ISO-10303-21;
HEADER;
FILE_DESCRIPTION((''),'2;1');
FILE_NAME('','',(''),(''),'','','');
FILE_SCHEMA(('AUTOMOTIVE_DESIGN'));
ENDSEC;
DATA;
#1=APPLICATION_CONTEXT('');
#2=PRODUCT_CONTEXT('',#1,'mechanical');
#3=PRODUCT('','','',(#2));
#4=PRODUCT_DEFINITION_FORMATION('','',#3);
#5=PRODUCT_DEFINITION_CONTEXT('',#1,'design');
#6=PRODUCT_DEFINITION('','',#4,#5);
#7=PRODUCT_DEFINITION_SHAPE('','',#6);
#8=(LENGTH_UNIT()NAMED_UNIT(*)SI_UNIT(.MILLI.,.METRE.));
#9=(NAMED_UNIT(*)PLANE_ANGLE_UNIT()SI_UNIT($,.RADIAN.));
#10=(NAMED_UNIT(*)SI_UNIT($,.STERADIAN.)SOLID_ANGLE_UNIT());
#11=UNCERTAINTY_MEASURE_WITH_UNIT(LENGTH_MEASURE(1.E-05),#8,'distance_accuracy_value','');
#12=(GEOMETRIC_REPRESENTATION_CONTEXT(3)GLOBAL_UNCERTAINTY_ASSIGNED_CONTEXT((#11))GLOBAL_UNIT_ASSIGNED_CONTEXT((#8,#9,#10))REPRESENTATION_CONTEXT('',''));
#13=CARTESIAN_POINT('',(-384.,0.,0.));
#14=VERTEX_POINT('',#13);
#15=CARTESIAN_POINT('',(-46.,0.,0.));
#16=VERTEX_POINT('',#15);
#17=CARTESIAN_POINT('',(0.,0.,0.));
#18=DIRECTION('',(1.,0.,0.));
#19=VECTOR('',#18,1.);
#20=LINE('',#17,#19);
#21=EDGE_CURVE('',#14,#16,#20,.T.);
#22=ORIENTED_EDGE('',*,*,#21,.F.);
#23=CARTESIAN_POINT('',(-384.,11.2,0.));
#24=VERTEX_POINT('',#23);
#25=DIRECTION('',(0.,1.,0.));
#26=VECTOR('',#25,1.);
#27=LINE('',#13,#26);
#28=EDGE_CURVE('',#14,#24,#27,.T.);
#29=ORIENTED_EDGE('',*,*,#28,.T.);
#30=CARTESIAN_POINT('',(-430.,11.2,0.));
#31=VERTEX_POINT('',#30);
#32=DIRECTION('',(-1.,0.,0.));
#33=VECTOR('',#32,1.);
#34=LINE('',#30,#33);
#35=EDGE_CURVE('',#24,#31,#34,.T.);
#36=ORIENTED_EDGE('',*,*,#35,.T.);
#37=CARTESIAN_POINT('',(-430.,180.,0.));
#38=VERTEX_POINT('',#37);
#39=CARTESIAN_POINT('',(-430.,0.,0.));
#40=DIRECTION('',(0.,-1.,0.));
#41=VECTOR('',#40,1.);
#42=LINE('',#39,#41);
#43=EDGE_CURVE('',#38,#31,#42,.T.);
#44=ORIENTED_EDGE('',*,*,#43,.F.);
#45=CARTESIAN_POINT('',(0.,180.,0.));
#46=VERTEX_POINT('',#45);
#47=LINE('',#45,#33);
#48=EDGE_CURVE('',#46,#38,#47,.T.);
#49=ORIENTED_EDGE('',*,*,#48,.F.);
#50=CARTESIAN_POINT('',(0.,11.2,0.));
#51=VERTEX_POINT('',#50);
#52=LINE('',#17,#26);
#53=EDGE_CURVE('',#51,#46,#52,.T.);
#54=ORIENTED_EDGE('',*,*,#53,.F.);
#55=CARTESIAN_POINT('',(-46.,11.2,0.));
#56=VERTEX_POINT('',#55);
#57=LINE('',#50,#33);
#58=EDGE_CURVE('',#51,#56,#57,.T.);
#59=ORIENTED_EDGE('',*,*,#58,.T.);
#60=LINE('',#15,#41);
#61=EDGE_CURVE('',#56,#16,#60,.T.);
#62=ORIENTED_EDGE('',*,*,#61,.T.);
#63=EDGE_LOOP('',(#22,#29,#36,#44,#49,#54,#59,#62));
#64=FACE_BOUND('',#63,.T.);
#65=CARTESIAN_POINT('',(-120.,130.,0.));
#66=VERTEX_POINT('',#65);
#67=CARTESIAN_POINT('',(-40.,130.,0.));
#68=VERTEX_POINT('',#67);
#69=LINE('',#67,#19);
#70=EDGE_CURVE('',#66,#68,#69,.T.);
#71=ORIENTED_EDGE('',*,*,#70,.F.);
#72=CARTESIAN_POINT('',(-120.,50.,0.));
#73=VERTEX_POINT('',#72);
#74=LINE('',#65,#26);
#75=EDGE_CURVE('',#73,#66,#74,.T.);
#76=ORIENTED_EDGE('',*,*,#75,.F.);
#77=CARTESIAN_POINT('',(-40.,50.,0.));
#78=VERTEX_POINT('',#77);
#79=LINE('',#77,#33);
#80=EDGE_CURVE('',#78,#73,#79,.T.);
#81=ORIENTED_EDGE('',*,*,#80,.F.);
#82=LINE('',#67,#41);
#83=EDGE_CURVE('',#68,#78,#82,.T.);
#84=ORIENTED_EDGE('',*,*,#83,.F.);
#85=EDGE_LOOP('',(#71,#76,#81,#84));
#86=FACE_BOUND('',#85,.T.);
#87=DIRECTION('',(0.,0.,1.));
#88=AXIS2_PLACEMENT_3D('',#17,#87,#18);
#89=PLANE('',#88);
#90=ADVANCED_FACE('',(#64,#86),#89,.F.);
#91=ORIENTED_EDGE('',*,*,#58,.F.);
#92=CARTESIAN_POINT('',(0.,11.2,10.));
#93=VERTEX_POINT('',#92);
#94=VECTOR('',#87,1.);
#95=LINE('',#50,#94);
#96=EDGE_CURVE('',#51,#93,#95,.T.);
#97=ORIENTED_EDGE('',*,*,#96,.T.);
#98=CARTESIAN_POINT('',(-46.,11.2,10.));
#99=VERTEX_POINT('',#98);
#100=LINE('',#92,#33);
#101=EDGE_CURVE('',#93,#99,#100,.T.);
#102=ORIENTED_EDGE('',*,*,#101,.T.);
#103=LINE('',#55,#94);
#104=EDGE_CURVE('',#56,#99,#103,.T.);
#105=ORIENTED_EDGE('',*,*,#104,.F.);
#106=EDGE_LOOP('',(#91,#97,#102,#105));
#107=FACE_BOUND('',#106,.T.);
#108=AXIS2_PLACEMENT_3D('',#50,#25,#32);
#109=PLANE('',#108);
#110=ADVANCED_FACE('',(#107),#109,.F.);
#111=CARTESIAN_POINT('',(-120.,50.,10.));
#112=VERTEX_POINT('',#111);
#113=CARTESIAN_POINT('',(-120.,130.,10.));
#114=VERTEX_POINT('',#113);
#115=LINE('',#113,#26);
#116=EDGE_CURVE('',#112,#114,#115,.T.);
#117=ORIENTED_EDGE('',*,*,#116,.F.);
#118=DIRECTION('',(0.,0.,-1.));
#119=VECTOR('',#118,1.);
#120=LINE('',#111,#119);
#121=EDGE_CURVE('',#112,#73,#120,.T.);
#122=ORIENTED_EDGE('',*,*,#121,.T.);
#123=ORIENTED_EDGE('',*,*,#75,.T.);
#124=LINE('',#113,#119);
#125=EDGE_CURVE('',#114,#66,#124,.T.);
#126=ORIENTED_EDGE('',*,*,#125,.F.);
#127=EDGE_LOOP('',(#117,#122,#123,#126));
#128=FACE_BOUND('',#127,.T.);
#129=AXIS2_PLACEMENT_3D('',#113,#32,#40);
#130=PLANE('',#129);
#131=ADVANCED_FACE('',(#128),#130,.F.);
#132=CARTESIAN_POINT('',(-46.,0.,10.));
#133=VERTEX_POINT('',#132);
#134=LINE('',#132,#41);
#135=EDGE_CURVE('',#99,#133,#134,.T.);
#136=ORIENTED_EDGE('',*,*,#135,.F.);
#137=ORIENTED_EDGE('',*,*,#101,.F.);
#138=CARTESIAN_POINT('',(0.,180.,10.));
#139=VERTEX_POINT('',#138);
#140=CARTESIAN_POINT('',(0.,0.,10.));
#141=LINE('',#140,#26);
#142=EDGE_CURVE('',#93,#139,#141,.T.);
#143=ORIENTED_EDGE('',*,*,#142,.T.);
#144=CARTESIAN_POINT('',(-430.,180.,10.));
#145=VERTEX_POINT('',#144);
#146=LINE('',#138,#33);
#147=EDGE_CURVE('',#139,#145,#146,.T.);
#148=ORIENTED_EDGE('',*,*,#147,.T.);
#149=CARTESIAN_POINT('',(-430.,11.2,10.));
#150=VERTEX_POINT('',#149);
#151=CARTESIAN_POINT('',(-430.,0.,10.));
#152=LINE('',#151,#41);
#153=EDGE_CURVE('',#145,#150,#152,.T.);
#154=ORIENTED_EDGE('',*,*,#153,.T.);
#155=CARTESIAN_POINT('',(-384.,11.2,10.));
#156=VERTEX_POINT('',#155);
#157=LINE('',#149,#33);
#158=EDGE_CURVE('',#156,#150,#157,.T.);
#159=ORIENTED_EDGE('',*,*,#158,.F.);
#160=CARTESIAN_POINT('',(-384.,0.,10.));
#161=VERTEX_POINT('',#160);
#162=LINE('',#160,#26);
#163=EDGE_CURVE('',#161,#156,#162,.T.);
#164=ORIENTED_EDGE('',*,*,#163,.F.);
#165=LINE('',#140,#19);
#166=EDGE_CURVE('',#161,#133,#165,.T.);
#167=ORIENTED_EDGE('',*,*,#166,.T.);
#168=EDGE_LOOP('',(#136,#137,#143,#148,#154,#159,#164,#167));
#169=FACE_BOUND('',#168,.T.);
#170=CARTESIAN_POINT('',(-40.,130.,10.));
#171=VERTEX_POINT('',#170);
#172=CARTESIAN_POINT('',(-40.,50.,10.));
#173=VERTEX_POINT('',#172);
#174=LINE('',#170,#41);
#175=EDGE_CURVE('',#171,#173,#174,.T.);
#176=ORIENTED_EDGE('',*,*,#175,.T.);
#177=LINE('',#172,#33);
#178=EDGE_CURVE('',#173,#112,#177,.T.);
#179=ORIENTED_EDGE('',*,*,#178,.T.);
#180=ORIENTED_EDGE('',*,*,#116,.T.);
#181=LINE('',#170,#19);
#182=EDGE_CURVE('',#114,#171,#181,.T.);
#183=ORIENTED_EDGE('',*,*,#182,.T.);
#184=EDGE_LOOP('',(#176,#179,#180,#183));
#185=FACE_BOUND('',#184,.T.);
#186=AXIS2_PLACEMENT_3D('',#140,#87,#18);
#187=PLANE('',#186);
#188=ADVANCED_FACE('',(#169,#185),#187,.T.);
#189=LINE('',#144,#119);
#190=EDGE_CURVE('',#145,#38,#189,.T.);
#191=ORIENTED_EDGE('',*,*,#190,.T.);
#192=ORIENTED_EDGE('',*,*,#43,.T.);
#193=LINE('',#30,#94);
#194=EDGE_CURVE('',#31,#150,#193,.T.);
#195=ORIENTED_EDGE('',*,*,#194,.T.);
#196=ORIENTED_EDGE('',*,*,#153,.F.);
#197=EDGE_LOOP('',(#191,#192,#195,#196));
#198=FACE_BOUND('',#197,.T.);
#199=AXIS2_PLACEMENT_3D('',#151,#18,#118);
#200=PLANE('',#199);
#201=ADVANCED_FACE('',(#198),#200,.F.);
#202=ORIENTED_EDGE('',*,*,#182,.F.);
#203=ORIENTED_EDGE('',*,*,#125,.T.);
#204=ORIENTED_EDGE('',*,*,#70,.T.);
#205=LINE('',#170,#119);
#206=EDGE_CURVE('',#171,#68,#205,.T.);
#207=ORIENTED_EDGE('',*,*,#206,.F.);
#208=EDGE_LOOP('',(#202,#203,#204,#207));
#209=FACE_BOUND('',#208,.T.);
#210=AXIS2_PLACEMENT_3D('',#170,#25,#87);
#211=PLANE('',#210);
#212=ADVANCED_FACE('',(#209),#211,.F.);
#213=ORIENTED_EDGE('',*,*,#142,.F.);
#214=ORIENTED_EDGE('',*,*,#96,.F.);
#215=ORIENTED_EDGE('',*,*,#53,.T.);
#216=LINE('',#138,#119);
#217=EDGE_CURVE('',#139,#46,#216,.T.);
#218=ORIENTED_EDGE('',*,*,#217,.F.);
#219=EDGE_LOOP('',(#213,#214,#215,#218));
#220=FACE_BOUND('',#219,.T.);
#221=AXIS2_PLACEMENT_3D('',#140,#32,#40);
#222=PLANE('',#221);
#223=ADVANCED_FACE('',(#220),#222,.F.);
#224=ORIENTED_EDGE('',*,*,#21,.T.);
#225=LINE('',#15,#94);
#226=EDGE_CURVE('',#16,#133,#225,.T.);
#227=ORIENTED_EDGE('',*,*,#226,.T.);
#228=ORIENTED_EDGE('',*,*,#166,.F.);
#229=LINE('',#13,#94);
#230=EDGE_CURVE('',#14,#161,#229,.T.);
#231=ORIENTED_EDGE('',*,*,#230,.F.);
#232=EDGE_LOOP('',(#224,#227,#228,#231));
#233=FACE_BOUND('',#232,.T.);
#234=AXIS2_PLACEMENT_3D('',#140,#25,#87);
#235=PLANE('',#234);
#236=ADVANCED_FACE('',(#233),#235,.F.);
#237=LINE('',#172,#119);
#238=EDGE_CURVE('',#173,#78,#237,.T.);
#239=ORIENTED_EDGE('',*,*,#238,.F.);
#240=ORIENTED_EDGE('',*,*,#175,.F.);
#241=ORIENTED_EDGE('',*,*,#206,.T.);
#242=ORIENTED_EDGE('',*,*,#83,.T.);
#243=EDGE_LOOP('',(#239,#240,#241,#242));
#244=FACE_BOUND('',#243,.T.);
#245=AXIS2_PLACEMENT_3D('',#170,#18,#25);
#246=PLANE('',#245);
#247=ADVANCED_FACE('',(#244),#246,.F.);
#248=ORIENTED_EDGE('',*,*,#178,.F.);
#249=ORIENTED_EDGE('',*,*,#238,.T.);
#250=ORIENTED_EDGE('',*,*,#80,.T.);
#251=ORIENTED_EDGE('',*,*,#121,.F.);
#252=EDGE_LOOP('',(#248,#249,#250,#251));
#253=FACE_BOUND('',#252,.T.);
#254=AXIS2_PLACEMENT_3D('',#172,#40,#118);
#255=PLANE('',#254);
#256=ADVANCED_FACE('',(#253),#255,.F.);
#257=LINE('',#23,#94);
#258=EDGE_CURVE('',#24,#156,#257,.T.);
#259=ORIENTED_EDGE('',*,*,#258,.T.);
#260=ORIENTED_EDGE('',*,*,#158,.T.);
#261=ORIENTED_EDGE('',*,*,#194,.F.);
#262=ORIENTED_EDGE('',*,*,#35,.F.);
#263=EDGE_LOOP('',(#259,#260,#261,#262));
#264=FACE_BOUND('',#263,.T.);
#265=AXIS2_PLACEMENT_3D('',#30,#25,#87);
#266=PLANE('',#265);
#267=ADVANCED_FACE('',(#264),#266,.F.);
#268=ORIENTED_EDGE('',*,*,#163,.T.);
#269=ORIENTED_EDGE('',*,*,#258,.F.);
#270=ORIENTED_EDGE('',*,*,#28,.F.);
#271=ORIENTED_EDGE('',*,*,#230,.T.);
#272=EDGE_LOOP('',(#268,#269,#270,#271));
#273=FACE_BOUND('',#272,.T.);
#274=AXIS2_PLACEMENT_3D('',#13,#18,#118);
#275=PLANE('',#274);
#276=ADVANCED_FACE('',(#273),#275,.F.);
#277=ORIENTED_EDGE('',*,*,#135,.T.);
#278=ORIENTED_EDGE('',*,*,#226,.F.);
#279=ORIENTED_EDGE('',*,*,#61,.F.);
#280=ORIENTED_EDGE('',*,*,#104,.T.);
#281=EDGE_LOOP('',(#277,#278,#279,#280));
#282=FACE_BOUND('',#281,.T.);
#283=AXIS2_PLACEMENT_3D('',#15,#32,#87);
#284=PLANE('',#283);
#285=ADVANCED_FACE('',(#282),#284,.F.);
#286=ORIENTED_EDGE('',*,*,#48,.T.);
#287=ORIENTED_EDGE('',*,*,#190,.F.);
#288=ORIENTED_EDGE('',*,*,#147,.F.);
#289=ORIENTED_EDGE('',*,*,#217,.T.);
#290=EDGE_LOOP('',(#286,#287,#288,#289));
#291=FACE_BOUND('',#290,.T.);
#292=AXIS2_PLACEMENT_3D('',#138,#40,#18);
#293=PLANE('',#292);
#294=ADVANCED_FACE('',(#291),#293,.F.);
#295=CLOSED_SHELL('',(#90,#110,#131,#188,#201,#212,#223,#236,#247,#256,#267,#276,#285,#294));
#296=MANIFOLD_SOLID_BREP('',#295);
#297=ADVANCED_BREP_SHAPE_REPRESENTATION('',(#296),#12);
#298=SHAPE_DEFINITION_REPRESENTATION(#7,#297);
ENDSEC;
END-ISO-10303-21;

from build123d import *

# Parameters (mm, degrees)
ESQUISSE1_W             = 430
ESQUISSE1_H             = 180
BOSS_EXTRU_1_DEPTH      = 10
ESQUISSE2_W             = 80
ESQUISSE2_H             = 80
ENL_V_MAT_EXTRU_1_DEPTH = 10
ESQUISSE4_W             = 46
ESQUISSE4_H             = 11.2
ENL_V_MAT_EXTRU_2_DEPTH = 10


with BuildPart() as part:
    # Esquisse1 → Boss.-Extru.1 (new body)
    with BuildSketch(Plane.XY):
        with Locations((-215, 90)):
            Rectangle(ESQUISSE1_W, ESQUISSE1_H)
    extrude(amount=BOSS_EXTRU_1_DEPTH)

    # Esquisse2 → Enlèv. mat.-Extru.1 (cut)
    with BuildSketch(Plane(origin=(0, 0, 0), x_dir=(-1, 0, 0), z_dir=(0, 0, -1))):
        with Locations((80, 90)):
            Rectangle(ESQUISSE2_W, ESQUISSE2_H)
    extrude(amount=-ENL_V_MAT_EXTRU_1_DEPTH, mode=Mode.SUBTRACT)

    # Esquisse4 → Enlèv. mat.-Extru.2 (cut)
    with BuildSketch(Plane.XY.offset(10)):
        with Locations((-23, 5.6)):
            Rectangle(ESQUISSE4_W, ESQUISSE4_H)
        with Locations((-407, 5.6)):
            Rectangle(ESQUISSE4_W, ESQUISSE4_H)
    extrude(amount=-ENL_V_MAT_EXTRU_2_DEPTH, mode=Mode.SUBTRACT)


solid = part.part
